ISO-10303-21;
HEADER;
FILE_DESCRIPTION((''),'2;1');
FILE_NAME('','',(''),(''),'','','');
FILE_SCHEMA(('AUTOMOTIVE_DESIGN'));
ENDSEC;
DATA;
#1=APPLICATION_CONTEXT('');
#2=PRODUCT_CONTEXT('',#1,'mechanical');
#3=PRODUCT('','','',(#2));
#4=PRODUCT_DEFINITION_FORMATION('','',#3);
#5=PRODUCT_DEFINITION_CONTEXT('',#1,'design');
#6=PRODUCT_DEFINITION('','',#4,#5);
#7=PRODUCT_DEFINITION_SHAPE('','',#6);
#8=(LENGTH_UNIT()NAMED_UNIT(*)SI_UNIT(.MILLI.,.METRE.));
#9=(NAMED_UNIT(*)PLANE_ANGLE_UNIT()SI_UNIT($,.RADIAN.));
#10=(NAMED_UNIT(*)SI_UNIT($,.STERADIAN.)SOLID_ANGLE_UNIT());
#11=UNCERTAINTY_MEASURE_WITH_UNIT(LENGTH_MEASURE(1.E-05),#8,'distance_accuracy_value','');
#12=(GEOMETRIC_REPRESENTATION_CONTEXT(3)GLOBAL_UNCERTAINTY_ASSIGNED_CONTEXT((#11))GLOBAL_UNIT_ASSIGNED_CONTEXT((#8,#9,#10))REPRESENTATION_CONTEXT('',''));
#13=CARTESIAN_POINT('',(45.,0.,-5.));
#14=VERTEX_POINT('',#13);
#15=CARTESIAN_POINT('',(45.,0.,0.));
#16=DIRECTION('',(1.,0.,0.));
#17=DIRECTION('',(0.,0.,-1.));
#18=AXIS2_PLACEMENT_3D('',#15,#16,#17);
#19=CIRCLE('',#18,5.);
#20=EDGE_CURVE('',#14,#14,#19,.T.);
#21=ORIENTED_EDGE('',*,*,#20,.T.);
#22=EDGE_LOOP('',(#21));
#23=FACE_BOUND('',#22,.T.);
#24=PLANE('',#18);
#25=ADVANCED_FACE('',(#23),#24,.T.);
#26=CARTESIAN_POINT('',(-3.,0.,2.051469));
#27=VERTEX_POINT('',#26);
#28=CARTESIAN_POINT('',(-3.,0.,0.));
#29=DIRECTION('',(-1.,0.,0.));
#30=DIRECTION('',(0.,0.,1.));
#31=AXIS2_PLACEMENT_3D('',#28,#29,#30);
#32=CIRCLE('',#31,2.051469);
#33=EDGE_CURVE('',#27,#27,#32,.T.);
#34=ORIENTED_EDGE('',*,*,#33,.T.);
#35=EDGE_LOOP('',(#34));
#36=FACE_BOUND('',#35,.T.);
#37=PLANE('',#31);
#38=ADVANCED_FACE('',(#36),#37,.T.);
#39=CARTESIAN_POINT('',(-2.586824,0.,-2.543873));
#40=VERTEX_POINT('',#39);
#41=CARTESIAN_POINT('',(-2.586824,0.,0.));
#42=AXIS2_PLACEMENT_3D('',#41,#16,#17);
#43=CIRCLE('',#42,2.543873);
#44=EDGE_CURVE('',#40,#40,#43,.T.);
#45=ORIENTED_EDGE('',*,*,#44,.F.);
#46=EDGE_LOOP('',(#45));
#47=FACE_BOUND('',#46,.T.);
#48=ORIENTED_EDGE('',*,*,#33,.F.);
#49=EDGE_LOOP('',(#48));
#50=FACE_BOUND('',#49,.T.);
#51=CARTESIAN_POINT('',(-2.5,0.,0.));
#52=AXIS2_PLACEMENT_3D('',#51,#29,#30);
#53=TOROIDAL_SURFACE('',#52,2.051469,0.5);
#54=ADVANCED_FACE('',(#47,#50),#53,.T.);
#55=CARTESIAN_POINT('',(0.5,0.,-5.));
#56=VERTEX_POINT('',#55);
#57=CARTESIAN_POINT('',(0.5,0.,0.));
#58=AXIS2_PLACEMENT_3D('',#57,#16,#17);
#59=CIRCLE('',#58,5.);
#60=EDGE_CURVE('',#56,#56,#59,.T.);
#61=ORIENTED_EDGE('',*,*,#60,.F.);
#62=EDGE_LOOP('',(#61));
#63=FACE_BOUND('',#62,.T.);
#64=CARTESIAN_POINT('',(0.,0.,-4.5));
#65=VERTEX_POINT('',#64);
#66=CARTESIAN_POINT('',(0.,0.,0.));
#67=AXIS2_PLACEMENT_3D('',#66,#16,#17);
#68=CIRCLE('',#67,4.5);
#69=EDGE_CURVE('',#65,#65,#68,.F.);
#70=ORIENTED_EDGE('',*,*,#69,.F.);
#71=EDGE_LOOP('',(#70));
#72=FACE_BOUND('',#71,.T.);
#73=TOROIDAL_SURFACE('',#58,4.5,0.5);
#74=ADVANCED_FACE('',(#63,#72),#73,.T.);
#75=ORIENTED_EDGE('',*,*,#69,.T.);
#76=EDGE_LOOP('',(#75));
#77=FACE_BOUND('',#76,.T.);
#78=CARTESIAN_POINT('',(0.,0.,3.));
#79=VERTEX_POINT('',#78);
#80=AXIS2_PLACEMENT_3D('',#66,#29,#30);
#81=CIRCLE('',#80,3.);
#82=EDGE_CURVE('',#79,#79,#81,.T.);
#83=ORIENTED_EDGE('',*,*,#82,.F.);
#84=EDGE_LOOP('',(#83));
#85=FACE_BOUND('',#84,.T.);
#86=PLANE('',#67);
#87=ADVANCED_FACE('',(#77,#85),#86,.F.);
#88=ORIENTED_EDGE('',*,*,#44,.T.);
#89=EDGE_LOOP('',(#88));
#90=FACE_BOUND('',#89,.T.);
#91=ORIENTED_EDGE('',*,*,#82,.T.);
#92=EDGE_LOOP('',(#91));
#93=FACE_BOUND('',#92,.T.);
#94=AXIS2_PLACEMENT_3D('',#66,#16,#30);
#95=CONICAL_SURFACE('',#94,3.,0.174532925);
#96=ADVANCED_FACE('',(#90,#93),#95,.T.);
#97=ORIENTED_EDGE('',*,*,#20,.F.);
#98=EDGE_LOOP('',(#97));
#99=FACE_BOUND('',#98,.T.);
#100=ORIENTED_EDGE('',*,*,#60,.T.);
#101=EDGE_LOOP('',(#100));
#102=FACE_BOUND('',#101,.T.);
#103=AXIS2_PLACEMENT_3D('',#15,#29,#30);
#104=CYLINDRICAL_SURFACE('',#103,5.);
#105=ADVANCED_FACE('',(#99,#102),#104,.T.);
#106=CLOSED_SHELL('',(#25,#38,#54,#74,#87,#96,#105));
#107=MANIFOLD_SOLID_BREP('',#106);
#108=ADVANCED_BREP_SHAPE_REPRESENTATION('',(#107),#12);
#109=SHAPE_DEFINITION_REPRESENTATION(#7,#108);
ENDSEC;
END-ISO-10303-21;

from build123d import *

# Parameters (mm, degrees)
SKETCH1_R           = 5
BOSS_EXTRUDE1_DEPTH = 45
SKETCH2_R           = 3
BOSS_EXTRUDE2_DEPTH = 3
BOSS_EXTRUDE2_TAPER = 10
FILLET1_R           = 0.5


with BuildPart() as part:
    # Sketch1 → Boss-Extrude1 (new body)
    with BuildSketch(Plane(origin=(0, 0, 0), x_dir=(0, 0, -1), z_dir=(1, 0, 0))):
        Circle(SKETCH1_R)
    extrude(amount=BOSS_EXTRUDE1_DEPTH)

    # Sketch2 → Boss-Extrude2 (add)
    with BuildSketch(Plane.ZY):
        Circle(SKETCH2_R)
    extrude(amount=BOSS_EXTRUDE2_DEPTH, taper=BOSS_EXTRUDE2_TAPER)

    # Fillet1
    fillet1_edges = [part.edges().sort_by_distance(p)[0] for p in [
        (0, 0, 5),
        (-3, 0, -2.471019058),
    ]]
    fillet(fillet1_edges, radius=FILLET1_R)


solid = part.part
